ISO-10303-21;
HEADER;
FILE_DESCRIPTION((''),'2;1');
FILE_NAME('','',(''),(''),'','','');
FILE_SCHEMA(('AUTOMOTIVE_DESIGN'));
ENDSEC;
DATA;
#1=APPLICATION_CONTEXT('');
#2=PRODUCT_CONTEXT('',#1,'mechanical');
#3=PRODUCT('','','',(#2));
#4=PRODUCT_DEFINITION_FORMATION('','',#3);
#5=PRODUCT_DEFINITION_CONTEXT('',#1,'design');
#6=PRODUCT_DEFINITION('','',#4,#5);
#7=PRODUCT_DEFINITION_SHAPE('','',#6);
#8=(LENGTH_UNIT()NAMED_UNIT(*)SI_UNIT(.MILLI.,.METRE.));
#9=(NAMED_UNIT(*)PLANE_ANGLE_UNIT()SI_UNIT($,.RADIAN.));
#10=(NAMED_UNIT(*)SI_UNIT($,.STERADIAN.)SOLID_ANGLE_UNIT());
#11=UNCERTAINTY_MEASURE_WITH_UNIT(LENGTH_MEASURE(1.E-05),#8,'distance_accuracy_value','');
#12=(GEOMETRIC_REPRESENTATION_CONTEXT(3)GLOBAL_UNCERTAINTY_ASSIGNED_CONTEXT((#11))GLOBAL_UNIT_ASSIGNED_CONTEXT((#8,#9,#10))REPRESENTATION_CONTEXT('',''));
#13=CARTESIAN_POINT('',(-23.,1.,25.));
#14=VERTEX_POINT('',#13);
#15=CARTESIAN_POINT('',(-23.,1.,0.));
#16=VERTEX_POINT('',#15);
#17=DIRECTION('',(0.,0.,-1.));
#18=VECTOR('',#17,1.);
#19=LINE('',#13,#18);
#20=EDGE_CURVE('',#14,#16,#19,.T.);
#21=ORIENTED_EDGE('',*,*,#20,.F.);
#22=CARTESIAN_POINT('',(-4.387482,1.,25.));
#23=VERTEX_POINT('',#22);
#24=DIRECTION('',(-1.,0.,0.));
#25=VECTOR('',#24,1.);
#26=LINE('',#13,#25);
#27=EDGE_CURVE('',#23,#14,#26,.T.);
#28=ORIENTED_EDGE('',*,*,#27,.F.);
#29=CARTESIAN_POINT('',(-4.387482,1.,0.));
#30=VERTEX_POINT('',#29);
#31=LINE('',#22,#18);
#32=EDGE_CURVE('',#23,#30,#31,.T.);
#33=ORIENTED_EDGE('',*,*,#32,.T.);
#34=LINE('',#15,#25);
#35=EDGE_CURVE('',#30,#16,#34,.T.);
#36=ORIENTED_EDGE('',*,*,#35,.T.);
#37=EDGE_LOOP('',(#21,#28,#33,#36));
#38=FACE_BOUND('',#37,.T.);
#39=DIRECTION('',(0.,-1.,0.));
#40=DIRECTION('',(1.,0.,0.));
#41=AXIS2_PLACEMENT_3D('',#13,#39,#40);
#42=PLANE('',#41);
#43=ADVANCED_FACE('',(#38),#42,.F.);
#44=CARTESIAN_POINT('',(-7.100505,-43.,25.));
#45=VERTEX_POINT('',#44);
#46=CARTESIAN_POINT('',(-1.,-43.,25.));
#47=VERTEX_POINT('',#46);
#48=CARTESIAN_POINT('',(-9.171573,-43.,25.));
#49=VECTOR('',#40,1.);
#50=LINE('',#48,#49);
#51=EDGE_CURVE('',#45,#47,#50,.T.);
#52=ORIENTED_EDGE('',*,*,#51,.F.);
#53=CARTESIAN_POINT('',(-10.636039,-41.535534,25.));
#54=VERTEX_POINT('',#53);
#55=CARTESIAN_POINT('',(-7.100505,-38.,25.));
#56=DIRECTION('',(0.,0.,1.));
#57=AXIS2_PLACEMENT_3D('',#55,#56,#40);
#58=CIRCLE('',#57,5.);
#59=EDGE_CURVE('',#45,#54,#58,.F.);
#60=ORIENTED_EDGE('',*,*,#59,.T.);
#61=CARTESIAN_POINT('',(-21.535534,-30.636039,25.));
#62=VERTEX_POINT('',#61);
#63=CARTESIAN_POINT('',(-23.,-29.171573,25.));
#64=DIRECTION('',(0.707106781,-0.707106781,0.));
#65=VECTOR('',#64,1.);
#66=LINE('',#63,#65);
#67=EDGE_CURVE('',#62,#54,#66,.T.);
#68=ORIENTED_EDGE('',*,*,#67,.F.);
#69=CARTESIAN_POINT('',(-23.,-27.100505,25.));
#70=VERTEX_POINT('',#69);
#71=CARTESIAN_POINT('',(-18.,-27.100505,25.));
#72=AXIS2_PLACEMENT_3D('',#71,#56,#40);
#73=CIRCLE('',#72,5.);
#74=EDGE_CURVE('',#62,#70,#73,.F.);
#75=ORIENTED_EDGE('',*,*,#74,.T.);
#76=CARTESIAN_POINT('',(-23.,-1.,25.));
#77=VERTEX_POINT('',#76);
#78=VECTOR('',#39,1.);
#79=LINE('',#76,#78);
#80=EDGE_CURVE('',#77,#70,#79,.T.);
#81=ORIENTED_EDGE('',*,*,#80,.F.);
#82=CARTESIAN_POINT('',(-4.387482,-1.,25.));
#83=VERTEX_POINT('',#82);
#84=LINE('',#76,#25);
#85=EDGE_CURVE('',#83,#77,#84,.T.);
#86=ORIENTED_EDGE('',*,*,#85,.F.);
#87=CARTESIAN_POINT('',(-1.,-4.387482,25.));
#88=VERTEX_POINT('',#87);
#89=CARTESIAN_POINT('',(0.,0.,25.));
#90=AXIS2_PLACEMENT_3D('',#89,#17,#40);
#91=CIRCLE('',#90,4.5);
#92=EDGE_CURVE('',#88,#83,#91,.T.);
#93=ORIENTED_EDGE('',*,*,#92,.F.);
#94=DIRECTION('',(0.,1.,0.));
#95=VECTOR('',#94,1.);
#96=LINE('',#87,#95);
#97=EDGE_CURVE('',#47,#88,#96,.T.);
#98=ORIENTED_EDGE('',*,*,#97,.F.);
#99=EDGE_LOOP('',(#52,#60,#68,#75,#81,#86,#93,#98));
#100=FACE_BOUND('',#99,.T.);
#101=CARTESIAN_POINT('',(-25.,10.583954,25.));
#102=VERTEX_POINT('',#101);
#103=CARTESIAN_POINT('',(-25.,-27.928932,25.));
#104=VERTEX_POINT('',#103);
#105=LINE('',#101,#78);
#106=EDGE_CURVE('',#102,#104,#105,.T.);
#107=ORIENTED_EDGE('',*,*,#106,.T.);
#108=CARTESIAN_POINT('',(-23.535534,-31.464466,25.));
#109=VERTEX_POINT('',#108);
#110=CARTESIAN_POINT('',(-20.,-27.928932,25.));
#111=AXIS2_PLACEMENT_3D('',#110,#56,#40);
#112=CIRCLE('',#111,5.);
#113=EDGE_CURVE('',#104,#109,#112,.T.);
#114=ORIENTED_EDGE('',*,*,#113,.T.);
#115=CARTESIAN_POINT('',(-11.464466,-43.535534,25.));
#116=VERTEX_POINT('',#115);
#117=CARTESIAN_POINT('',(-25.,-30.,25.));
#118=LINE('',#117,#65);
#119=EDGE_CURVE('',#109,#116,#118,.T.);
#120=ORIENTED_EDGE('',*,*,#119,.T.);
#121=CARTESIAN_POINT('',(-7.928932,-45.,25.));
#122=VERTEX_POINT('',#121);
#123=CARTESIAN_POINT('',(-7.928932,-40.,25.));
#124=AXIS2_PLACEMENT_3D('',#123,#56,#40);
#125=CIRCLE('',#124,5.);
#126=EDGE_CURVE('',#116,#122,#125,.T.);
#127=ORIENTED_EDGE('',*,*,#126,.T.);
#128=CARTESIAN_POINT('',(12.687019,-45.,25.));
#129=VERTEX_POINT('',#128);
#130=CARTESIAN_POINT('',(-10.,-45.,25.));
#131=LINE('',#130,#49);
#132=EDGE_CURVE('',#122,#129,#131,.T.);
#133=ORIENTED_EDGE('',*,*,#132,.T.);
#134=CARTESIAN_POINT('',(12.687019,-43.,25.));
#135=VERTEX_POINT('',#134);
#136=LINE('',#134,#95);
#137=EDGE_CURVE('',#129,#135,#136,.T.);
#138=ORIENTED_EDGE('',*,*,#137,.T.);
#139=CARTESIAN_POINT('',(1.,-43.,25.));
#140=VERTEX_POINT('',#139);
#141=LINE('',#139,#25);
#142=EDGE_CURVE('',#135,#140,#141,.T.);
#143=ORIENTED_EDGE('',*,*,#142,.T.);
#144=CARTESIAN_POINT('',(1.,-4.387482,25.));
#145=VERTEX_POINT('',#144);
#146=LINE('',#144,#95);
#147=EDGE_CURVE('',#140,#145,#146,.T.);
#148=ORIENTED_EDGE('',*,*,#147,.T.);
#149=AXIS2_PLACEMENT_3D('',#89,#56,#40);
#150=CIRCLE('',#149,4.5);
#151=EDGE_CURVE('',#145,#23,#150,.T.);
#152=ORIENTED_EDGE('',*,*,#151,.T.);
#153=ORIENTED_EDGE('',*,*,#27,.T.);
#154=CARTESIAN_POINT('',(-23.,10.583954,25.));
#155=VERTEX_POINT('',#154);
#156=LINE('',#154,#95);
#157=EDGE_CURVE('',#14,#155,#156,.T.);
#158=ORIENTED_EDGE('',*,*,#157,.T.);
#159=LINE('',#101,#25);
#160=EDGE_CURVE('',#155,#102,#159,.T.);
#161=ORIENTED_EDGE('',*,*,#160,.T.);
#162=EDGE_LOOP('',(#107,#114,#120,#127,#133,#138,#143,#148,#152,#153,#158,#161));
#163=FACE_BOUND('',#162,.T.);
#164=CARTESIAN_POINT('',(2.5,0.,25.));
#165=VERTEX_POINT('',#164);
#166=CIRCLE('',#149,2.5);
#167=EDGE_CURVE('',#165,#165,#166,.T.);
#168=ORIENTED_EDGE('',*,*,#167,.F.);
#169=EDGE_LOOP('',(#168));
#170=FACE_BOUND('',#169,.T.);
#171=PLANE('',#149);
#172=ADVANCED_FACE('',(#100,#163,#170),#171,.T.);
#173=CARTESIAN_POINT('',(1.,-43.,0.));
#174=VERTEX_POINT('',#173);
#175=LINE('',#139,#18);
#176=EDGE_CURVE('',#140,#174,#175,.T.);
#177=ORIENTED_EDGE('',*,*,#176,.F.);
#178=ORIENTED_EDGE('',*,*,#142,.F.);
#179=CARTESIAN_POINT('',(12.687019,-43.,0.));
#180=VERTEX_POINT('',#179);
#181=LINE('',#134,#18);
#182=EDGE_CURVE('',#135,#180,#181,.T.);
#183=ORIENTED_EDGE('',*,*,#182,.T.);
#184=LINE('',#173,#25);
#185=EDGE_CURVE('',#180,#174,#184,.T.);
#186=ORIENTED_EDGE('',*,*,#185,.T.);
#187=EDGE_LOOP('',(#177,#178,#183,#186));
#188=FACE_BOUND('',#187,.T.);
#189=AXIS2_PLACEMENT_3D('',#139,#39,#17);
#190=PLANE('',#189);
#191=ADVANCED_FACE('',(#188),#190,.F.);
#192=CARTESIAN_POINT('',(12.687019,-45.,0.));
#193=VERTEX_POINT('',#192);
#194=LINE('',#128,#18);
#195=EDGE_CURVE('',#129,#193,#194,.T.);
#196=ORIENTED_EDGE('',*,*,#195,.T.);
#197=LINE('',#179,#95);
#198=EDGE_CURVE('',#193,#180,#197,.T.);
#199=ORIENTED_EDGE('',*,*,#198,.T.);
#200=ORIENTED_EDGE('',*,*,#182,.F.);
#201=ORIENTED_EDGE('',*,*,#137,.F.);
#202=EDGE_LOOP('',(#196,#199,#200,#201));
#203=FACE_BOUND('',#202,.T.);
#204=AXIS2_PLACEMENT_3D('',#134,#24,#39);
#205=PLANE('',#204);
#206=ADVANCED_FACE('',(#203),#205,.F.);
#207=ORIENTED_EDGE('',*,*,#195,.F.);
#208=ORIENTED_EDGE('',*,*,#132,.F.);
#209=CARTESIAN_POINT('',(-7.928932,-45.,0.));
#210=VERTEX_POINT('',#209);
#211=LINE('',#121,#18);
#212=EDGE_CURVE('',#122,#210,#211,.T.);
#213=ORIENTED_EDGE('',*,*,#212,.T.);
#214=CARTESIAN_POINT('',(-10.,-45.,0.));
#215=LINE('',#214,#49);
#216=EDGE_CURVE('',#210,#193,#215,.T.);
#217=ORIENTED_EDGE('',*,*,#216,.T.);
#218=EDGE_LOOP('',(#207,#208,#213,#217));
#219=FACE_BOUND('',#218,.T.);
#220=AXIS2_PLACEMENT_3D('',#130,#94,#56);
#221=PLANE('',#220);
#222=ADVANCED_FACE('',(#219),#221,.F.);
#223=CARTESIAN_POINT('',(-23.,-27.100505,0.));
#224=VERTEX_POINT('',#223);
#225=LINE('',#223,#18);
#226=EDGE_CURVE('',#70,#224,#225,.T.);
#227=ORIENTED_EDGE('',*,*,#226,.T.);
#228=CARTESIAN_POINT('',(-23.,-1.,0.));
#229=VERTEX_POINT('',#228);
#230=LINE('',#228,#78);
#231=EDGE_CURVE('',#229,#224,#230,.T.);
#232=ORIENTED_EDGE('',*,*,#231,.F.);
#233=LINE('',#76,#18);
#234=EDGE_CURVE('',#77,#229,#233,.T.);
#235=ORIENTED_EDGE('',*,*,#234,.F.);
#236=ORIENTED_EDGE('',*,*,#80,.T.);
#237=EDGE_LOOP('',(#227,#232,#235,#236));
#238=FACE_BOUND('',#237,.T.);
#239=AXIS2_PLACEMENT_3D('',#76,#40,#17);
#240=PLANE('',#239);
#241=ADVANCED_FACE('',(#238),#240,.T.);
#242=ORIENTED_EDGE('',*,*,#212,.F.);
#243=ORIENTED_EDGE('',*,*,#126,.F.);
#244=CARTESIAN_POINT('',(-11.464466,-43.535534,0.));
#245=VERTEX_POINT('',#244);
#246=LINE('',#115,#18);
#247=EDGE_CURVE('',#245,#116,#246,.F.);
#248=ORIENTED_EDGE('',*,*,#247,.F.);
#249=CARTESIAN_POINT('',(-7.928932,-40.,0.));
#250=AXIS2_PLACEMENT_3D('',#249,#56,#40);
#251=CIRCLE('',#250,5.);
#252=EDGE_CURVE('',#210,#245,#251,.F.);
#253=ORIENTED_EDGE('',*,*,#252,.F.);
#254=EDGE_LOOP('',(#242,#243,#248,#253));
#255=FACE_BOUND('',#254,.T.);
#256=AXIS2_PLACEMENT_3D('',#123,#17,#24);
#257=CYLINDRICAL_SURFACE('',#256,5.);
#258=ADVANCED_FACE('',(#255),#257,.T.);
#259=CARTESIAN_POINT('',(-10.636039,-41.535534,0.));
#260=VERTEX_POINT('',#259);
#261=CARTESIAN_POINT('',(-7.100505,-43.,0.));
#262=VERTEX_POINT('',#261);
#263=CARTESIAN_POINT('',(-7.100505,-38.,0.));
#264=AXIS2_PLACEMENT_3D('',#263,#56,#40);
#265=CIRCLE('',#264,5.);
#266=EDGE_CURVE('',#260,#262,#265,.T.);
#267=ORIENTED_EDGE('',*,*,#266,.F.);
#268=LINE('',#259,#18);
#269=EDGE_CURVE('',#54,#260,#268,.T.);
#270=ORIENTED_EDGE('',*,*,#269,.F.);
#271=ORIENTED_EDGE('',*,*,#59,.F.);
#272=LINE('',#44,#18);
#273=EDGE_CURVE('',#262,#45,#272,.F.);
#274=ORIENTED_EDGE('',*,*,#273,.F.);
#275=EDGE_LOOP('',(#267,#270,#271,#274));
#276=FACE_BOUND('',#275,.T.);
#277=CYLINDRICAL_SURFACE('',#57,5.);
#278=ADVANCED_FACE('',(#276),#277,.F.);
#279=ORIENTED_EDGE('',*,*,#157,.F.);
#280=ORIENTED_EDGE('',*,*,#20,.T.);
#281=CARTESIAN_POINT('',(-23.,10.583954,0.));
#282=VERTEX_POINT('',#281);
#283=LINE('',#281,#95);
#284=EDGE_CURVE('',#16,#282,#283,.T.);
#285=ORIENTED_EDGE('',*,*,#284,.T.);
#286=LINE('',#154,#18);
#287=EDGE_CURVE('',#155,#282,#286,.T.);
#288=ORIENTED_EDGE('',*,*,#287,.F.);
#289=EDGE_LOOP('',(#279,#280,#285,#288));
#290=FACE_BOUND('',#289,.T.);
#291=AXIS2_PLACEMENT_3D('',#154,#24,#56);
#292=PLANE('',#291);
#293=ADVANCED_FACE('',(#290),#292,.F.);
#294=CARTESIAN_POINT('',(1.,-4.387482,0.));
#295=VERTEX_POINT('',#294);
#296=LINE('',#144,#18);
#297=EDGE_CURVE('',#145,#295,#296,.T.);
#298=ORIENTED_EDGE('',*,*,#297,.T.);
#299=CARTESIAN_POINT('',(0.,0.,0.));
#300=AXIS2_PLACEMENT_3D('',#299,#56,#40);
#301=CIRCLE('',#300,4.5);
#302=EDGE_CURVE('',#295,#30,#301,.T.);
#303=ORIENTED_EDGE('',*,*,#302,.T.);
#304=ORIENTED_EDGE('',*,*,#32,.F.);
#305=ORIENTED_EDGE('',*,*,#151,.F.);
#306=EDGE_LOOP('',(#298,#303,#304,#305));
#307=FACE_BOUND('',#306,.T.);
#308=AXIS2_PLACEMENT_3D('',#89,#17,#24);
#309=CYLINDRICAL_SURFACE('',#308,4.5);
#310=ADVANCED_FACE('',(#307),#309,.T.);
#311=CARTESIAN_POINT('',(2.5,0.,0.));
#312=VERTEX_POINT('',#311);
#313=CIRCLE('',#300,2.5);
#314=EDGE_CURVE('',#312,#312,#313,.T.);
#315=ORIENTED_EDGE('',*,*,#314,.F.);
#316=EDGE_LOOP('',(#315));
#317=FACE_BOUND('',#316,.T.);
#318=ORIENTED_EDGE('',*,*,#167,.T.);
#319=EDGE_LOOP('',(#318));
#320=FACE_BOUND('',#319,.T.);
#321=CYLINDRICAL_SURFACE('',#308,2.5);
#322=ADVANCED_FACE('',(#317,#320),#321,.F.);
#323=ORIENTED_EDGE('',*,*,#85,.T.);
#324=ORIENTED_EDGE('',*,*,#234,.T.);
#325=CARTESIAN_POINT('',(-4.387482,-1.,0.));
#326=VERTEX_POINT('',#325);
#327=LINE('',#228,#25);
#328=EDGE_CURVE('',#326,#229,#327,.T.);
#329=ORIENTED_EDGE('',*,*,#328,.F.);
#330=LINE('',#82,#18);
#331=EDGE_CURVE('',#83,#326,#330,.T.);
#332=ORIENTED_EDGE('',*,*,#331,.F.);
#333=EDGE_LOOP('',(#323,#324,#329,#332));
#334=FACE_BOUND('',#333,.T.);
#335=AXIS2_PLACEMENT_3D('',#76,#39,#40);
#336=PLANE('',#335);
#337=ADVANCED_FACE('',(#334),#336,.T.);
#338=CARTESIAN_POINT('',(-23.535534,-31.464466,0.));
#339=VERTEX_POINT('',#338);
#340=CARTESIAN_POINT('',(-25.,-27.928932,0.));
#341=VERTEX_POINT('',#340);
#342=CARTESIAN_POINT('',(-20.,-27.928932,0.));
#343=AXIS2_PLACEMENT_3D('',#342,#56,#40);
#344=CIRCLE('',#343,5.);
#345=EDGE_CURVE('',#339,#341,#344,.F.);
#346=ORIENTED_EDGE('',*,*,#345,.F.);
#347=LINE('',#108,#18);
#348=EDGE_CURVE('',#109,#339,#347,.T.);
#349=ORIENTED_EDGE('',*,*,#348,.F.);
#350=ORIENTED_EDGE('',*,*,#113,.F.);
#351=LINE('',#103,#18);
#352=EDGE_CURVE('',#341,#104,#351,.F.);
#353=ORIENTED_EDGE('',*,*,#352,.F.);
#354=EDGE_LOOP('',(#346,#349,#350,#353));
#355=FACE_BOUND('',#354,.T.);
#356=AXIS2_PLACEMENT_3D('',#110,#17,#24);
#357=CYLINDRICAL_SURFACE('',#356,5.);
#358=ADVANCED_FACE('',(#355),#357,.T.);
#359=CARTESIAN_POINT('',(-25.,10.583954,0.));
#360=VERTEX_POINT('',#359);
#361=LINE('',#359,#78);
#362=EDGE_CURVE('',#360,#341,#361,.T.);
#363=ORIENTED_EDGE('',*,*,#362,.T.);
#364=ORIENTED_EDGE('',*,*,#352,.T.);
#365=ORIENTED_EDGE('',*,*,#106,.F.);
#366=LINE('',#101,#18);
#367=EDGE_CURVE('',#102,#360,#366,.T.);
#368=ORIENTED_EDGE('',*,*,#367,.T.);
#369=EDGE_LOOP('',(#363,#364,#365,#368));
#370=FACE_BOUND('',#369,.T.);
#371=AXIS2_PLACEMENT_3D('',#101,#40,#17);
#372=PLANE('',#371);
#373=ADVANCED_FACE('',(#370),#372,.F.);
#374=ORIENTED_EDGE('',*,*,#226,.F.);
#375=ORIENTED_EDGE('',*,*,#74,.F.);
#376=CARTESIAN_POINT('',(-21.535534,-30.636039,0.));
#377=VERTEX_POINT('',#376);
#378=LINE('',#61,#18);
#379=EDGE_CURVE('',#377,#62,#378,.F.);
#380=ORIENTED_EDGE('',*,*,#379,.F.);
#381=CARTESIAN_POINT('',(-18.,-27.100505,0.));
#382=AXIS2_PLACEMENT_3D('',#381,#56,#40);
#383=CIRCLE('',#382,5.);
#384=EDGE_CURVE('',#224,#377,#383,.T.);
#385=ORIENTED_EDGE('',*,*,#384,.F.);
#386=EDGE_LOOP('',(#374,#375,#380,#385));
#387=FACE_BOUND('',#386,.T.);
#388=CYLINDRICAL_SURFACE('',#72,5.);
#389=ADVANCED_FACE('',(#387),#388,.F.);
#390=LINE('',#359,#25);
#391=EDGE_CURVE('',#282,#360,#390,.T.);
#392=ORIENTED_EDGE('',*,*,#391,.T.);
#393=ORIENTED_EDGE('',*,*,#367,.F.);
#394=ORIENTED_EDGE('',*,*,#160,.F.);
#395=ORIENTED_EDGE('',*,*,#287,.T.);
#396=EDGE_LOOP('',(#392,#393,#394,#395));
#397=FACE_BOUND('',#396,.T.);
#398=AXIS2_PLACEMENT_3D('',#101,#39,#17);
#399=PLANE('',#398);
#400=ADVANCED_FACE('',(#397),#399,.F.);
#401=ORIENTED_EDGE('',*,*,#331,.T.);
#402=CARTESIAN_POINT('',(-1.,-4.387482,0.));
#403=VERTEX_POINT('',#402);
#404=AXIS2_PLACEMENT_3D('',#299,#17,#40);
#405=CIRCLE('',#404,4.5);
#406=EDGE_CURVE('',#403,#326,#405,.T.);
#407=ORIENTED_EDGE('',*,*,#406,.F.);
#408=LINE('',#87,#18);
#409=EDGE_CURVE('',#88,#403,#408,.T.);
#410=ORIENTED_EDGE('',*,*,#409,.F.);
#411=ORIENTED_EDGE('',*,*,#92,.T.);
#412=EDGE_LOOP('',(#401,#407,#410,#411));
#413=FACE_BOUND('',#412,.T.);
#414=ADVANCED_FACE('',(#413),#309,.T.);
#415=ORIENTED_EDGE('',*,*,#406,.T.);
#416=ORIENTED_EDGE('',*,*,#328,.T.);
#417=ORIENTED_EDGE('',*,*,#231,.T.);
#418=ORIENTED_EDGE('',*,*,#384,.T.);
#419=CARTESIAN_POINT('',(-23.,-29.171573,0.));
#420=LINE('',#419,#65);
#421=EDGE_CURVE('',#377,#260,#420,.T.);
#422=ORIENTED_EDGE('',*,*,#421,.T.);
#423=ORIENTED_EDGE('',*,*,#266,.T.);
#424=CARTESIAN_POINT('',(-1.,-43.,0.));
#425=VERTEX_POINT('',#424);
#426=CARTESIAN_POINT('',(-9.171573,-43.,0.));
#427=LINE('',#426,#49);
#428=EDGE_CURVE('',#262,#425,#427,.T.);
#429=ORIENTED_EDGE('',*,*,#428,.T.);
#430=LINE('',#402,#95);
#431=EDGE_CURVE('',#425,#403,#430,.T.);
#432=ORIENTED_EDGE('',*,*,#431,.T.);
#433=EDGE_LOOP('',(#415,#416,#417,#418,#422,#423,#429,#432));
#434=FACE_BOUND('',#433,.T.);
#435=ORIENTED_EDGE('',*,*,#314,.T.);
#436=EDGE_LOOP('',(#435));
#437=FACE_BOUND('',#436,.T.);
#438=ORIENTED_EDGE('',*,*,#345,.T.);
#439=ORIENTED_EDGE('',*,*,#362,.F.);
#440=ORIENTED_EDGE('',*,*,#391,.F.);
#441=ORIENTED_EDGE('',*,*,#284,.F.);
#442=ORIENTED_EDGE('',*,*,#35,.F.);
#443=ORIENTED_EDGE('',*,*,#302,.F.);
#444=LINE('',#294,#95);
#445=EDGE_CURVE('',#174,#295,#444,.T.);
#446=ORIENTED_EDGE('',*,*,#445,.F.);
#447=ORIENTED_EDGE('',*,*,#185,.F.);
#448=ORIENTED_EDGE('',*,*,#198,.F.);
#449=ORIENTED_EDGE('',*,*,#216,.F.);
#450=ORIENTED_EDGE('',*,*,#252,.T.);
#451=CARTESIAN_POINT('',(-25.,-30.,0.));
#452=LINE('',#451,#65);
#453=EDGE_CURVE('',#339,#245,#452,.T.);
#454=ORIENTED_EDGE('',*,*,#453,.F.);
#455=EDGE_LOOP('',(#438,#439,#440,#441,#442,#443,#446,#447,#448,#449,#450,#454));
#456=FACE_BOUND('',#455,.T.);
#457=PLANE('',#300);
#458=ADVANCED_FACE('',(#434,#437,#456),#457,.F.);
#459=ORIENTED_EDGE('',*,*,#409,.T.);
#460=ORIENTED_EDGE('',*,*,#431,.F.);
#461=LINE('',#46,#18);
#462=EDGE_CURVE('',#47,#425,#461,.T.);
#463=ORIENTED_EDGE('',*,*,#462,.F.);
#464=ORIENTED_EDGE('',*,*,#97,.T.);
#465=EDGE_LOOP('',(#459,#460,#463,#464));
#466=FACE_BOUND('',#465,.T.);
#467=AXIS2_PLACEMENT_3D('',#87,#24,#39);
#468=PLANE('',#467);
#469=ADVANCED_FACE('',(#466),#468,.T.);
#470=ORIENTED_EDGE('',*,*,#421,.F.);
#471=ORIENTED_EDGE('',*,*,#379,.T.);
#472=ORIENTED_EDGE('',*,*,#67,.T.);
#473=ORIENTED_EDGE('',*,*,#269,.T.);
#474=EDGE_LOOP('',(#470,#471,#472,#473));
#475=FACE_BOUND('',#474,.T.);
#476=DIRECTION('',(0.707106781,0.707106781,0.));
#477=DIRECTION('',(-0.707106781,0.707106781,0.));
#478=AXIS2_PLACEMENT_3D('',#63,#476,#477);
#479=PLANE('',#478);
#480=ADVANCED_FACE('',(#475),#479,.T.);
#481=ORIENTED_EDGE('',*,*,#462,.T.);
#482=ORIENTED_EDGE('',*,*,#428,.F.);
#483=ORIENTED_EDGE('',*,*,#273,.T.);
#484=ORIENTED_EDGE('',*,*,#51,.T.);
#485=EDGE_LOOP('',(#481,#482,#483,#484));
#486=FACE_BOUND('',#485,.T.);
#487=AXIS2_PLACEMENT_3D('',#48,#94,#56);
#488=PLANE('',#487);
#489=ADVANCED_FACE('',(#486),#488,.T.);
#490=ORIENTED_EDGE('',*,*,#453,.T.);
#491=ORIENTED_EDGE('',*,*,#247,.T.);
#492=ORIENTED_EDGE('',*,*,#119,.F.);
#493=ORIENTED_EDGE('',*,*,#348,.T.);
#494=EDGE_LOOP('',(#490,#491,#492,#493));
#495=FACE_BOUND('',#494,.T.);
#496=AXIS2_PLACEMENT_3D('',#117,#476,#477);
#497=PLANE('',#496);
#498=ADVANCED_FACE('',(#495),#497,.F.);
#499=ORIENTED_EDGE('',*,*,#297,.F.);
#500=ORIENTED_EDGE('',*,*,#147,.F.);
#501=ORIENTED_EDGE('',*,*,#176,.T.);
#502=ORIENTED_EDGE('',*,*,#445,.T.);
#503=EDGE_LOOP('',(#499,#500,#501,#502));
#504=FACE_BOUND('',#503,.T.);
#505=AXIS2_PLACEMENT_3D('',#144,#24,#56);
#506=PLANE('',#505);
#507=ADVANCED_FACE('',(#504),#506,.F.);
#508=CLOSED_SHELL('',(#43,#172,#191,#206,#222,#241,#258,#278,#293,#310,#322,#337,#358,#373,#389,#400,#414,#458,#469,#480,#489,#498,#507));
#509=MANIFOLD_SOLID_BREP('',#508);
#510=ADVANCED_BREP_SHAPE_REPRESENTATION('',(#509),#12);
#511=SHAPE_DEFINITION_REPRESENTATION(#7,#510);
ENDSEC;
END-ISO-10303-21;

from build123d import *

# Parameters (mm, degrees)
SKETCH1_R           = 2.5
BOSS_EXTRUDE1_DEPTH = 25
FILLET1_R           = 5


with BuildPart() as part:
    # Sketch1 → Boss-Extrude1 (new body)
    with BuildSketch(Plane.XY):
        with BuildLine():
            Line((-25, 10.583953595), (-25, -30))
            Line((-25, -30), (-10, -45))
            Line((-10, -45), (12.687018602, -45))
            Line((12.687018602, -45), (12.687018602, -43))
            Line((12.687018602, -43), (1, -43))
            Line((1, -43), (1, -4.387482194))
            ThreePointArc((1, -4.387482194), (3.181980515, 3.181980515), (-4.387482194, 1))
            Line((-4.387482194, 1), (-23, 1))
            Line((-23, 1), (-23, 10.583953595))
            Line((-23, 10.583953595), (-25, 10.583953595))
        make_face()
        Circle(SKETCH1_R, mode=Mode.SUBTRACT)
        with BuildLine():
            Line((-23, -29.171572875), (-9.171572875, -43))
            Line((-9.171572875, -43), (-1, -43))
            Line((-1, -43), (-1, -4.387482194))
            ThreePointArc((-1, -4.387482194), (-3.181980515, -3.181980515), (-4.387482194, -1))
            Line((-4.387482194, -1), (-23, -1))
            Line((-23, -1), (-23, -29.171572875))
        make_face(mode=Mode.SUBTRACT)
    extrude(amount=BOSS_EXTRUDE1_DEPTH)

    # Fillet1
    fillet1_edges = [part.edges().sort_by_distance(p)[0] for p in [
        (-10, -45, 12.5),
        (-25, -30, 12.5),
        (-23, -29.171572875, 12.5),
        (-9.171572875, -43, 12.5),
    ]]
    fillet(fillet1_edges, radius=FILLET1_R)


solid = part.part
